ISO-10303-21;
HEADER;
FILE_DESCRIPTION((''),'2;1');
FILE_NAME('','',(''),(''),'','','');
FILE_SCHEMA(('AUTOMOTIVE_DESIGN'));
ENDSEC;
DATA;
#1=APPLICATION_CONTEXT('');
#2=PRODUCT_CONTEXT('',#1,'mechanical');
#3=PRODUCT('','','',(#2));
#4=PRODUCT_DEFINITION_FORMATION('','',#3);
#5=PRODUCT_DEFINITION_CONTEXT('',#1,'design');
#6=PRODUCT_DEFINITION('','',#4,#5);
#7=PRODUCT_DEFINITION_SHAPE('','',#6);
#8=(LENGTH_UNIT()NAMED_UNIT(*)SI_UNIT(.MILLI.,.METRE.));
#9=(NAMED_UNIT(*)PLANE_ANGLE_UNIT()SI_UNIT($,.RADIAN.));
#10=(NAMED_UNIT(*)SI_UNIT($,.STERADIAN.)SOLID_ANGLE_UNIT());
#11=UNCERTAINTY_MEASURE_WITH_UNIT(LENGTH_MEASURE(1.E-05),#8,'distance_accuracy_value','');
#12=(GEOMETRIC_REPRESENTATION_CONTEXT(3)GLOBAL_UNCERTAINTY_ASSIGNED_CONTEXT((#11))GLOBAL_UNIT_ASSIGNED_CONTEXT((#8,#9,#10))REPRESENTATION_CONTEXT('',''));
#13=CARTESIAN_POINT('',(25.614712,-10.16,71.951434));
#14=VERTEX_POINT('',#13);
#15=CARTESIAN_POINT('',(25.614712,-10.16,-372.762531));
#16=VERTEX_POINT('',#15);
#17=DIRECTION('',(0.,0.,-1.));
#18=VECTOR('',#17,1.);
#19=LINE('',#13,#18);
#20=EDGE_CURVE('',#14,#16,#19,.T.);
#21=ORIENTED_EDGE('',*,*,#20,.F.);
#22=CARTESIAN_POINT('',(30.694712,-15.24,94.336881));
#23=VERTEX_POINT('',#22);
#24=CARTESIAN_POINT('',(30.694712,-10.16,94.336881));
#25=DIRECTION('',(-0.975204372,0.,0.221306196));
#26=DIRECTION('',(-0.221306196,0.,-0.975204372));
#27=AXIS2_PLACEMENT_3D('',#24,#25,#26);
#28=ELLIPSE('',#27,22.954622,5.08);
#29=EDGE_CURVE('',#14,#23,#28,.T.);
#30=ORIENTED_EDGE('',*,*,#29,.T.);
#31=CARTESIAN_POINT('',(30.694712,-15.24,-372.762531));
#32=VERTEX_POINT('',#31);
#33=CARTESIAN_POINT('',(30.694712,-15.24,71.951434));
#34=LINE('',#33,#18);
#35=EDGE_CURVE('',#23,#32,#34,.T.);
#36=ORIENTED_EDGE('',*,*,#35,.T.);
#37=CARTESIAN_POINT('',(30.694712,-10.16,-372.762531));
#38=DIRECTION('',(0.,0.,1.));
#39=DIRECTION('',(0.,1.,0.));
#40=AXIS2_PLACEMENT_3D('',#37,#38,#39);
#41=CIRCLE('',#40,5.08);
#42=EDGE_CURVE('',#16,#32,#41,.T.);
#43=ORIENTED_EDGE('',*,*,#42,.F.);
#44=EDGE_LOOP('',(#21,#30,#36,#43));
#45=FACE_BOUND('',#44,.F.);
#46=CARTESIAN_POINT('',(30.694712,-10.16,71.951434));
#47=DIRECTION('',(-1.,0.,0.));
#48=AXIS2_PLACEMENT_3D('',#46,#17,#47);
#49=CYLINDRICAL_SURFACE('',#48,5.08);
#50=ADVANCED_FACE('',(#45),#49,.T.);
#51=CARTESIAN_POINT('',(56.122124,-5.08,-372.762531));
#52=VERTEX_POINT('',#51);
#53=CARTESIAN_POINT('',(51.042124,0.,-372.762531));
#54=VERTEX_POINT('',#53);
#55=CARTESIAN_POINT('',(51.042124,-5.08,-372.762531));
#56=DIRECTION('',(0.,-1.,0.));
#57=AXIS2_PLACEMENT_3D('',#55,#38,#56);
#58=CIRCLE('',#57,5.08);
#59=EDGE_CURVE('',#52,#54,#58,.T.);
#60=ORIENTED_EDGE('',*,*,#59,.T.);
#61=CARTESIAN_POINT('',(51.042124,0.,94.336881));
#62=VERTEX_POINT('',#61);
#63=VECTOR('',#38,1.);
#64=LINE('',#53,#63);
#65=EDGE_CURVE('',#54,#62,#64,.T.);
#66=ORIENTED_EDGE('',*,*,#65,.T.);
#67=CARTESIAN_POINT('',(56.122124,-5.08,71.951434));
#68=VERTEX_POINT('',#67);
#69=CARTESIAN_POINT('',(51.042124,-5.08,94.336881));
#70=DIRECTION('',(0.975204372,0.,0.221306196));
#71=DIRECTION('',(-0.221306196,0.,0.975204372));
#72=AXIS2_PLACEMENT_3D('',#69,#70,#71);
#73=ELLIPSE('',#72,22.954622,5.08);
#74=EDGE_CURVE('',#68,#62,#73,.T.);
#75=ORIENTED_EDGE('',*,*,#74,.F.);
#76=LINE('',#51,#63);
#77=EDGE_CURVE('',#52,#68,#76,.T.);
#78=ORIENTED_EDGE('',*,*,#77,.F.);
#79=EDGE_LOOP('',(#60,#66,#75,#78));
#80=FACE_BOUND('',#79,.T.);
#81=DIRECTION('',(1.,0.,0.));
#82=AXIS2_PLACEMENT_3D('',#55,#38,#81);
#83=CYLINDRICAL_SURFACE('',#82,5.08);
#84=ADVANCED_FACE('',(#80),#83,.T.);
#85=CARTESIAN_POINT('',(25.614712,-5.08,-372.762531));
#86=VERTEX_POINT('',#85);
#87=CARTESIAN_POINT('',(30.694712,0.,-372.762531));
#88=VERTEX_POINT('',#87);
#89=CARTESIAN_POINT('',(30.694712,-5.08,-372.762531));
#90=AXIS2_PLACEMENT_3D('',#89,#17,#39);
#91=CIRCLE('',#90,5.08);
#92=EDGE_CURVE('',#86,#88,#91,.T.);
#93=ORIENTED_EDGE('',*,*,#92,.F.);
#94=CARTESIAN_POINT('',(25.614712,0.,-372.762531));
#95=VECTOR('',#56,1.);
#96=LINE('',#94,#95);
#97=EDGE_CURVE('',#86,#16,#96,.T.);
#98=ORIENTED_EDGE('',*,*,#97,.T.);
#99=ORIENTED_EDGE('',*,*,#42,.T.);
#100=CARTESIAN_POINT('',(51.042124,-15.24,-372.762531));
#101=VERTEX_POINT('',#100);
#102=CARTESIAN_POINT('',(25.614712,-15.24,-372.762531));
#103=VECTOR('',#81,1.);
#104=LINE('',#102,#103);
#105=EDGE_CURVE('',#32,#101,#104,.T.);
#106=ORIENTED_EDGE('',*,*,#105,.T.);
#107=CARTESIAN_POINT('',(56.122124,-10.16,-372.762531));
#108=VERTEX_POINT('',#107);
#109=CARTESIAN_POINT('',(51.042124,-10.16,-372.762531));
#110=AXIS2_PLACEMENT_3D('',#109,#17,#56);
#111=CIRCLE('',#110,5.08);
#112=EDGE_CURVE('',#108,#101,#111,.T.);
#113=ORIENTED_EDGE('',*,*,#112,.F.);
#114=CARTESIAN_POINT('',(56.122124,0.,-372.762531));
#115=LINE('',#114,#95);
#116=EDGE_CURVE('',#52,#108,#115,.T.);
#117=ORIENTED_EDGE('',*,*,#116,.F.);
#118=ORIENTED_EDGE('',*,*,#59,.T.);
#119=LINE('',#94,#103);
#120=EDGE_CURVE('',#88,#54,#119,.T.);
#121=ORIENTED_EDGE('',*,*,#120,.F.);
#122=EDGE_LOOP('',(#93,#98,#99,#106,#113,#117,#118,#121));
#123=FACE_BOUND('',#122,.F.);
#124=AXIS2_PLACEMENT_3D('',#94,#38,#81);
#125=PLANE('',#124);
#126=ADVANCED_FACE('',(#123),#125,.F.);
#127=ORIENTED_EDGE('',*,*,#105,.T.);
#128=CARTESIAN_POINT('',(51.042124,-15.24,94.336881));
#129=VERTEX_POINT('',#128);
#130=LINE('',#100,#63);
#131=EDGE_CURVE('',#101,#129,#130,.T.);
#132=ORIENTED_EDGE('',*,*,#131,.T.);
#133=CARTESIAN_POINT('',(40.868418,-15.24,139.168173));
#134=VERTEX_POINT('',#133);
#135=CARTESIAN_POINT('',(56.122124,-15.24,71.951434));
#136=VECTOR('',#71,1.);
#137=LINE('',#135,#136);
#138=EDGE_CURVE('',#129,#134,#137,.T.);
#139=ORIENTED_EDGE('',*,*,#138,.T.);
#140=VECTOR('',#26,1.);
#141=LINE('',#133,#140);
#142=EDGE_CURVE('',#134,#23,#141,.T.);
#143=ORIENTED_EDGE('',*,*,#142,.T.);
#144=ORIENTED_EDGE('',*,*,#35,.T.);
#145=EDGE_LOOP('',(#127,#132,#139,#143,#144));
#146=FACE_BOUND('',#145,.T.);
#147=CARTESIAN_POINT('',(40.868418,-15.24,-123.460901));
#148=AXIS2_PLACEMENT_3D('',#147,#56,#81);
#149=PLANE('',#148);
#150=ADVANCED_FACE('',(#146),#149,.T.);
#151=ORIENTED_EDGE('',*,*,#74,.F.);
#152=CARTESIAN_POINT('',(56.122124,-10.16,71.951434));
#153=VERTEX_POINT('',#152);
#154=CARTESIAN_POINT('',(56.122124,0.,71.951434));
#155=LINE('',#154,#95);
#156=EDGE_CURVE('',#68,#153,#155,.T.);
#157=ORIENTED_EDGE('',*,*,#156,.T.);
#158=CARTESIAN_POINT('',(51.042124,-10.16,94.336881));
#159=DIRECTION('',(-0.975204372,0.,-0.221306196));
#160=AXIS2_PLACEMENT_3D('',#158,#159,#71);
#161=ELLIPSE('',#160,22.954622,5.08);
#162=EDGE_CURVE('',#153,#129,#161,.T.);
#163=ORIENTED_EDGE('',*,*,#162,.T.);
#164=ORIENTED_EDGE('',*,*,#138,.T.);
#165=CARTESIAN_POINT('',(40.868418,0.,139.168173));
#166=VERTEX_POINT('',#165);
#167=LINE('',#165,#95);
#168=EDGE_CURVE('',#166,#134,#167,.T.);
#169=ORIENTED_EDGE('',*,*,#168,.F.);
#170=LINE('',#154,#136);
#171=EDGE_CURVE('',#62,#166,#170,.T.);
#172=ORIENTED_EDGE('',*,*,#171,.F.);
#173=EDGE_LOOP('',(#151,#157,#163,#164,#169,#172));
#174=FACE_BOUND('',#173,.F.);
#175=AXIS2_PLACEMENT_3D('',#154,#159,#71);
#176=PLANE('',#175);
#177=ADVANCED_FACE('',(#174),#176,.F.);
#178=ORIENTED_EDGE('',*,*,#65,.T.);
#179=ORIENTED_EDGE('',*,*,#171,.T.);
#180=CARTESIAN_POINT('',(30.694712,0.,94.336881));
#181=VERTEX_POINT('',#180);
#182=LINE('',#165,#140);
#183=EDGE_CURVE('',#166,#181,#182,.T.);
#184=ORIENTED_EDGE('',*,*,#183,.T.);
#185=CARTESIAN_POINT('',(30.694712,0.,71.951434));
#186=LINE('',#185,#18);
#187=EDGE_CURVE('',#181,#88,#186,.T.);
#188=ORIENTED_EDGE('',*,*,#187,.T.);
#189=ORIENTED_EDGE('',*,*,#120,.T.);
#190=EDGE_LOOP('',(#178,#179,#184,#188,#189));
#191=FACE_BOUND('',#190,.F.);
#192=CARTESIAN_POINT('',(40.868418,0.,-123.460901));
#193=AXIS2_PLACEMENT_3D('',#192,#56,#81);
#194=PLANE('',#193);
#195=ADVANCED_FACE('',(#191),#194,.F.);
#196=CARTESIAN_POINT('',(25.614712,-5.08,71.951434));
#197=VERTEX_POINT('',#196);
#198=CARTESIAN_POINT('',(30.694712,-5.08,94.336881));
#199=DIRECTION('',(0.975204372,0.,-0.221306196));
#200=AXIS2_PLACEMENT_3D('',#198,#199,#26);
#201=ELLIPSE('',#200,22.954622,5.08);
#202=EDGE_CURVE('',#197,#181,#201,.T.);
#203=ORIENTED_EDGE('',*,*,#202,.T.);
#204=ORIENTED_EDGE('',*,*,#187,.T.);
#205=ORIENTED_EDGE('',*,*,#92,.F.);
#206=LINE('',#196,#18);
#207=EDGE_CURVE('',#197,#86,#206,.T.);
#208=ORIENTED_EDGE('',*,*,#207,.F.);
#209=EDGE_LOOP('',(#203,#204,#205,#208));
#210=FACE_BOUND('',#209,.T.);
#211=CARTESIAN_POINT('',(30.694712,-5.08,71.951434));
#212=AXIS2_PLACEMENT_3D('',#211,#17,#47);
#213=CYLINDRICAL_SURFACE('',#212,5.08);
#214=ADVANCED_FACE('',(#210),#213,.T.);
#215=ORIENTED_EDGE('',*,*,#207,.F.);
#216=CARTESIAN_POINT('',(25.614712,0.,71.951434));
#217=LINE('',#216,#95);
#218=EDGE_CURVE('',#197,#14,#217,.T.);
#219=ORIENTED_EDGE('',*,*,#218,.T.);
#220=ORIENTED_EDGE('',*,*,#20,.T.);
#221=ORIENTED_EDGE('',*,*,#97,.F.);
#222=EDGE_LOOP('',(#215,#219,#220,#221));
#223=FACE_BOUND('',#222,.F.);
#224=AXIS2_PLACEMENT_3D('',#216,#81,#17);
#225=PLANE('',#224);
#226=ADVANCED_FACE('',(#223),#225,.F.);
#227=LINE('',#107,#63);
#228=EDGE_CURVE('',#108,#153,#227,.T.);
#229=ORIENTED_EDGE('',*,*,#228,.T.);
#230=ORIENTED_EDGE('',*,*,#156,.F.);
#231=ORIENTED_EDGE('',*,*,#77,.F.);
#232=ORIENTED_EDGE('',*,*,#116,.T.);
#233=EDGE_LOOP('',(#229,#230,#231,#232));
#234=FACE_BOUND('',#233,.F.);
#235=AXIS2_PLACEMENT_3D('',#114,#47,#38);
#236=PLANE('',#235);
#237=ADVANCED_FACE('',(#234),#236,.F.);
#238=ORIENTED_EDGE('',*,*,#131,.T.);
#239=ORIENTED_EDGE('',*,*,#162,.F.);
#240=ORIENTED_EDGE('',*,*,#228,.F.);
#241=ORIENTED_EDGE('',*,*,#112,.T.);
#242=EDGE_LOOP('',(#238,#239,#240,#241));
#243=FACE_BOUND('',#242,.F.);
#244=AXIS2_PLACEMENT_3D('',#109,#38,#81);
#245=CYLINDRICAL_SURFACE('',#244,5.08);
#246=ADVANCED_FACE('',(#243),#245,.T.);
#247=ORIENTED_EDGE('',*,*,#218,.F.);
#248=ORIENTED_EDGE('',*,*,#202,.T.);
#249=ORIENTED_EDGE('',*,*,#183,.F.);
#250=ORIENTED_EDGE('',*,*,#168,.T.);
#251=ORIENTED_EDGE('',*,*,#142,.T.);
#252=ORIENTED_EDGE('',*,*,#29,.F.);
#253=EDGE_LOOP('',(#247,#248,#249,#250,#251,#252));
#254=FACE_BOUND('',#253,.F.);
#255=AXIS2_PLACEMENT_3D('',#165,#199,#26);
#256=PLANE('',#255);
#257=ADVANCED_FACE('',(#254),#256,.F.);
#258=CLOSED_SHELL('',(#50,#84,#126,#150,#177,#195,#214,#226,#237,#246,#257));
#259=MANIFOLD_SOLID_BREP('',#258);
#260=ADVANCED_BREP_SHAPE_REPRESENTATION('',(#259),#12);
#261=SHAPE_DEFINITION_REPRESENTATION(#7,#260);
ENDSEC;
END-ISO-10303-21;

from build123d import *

# Parameters (mm, degrees)
F1_DEPTH = 15.24
F2_R     = 5.08


with BuildPart() as f1:
    # F0 (on Front) → F1 (new body)
    with BuildSketch(Plane.XZ):
        Polygon((40.868418, 139.168173), (25.614712, 71.951434), (25.614712, -372.762531), (56.122124, -372.762531), (56.122124, 71.951434), align=None)
    extrude(amount=F1_DEPTH)

    # F2
    f2_edges = [f1.edges().sort_by_distance(p)[0] for p in [
        (56.122124, -15.24, -150.405549),
        (25.614712, 0, -150.405549),
        (25.614712, -15.24, -150.405549),
        (56.122124, 0, -150.405549),
    ]]
    fillet(f2_edges, radius=F2_R)


solid = f1.part
